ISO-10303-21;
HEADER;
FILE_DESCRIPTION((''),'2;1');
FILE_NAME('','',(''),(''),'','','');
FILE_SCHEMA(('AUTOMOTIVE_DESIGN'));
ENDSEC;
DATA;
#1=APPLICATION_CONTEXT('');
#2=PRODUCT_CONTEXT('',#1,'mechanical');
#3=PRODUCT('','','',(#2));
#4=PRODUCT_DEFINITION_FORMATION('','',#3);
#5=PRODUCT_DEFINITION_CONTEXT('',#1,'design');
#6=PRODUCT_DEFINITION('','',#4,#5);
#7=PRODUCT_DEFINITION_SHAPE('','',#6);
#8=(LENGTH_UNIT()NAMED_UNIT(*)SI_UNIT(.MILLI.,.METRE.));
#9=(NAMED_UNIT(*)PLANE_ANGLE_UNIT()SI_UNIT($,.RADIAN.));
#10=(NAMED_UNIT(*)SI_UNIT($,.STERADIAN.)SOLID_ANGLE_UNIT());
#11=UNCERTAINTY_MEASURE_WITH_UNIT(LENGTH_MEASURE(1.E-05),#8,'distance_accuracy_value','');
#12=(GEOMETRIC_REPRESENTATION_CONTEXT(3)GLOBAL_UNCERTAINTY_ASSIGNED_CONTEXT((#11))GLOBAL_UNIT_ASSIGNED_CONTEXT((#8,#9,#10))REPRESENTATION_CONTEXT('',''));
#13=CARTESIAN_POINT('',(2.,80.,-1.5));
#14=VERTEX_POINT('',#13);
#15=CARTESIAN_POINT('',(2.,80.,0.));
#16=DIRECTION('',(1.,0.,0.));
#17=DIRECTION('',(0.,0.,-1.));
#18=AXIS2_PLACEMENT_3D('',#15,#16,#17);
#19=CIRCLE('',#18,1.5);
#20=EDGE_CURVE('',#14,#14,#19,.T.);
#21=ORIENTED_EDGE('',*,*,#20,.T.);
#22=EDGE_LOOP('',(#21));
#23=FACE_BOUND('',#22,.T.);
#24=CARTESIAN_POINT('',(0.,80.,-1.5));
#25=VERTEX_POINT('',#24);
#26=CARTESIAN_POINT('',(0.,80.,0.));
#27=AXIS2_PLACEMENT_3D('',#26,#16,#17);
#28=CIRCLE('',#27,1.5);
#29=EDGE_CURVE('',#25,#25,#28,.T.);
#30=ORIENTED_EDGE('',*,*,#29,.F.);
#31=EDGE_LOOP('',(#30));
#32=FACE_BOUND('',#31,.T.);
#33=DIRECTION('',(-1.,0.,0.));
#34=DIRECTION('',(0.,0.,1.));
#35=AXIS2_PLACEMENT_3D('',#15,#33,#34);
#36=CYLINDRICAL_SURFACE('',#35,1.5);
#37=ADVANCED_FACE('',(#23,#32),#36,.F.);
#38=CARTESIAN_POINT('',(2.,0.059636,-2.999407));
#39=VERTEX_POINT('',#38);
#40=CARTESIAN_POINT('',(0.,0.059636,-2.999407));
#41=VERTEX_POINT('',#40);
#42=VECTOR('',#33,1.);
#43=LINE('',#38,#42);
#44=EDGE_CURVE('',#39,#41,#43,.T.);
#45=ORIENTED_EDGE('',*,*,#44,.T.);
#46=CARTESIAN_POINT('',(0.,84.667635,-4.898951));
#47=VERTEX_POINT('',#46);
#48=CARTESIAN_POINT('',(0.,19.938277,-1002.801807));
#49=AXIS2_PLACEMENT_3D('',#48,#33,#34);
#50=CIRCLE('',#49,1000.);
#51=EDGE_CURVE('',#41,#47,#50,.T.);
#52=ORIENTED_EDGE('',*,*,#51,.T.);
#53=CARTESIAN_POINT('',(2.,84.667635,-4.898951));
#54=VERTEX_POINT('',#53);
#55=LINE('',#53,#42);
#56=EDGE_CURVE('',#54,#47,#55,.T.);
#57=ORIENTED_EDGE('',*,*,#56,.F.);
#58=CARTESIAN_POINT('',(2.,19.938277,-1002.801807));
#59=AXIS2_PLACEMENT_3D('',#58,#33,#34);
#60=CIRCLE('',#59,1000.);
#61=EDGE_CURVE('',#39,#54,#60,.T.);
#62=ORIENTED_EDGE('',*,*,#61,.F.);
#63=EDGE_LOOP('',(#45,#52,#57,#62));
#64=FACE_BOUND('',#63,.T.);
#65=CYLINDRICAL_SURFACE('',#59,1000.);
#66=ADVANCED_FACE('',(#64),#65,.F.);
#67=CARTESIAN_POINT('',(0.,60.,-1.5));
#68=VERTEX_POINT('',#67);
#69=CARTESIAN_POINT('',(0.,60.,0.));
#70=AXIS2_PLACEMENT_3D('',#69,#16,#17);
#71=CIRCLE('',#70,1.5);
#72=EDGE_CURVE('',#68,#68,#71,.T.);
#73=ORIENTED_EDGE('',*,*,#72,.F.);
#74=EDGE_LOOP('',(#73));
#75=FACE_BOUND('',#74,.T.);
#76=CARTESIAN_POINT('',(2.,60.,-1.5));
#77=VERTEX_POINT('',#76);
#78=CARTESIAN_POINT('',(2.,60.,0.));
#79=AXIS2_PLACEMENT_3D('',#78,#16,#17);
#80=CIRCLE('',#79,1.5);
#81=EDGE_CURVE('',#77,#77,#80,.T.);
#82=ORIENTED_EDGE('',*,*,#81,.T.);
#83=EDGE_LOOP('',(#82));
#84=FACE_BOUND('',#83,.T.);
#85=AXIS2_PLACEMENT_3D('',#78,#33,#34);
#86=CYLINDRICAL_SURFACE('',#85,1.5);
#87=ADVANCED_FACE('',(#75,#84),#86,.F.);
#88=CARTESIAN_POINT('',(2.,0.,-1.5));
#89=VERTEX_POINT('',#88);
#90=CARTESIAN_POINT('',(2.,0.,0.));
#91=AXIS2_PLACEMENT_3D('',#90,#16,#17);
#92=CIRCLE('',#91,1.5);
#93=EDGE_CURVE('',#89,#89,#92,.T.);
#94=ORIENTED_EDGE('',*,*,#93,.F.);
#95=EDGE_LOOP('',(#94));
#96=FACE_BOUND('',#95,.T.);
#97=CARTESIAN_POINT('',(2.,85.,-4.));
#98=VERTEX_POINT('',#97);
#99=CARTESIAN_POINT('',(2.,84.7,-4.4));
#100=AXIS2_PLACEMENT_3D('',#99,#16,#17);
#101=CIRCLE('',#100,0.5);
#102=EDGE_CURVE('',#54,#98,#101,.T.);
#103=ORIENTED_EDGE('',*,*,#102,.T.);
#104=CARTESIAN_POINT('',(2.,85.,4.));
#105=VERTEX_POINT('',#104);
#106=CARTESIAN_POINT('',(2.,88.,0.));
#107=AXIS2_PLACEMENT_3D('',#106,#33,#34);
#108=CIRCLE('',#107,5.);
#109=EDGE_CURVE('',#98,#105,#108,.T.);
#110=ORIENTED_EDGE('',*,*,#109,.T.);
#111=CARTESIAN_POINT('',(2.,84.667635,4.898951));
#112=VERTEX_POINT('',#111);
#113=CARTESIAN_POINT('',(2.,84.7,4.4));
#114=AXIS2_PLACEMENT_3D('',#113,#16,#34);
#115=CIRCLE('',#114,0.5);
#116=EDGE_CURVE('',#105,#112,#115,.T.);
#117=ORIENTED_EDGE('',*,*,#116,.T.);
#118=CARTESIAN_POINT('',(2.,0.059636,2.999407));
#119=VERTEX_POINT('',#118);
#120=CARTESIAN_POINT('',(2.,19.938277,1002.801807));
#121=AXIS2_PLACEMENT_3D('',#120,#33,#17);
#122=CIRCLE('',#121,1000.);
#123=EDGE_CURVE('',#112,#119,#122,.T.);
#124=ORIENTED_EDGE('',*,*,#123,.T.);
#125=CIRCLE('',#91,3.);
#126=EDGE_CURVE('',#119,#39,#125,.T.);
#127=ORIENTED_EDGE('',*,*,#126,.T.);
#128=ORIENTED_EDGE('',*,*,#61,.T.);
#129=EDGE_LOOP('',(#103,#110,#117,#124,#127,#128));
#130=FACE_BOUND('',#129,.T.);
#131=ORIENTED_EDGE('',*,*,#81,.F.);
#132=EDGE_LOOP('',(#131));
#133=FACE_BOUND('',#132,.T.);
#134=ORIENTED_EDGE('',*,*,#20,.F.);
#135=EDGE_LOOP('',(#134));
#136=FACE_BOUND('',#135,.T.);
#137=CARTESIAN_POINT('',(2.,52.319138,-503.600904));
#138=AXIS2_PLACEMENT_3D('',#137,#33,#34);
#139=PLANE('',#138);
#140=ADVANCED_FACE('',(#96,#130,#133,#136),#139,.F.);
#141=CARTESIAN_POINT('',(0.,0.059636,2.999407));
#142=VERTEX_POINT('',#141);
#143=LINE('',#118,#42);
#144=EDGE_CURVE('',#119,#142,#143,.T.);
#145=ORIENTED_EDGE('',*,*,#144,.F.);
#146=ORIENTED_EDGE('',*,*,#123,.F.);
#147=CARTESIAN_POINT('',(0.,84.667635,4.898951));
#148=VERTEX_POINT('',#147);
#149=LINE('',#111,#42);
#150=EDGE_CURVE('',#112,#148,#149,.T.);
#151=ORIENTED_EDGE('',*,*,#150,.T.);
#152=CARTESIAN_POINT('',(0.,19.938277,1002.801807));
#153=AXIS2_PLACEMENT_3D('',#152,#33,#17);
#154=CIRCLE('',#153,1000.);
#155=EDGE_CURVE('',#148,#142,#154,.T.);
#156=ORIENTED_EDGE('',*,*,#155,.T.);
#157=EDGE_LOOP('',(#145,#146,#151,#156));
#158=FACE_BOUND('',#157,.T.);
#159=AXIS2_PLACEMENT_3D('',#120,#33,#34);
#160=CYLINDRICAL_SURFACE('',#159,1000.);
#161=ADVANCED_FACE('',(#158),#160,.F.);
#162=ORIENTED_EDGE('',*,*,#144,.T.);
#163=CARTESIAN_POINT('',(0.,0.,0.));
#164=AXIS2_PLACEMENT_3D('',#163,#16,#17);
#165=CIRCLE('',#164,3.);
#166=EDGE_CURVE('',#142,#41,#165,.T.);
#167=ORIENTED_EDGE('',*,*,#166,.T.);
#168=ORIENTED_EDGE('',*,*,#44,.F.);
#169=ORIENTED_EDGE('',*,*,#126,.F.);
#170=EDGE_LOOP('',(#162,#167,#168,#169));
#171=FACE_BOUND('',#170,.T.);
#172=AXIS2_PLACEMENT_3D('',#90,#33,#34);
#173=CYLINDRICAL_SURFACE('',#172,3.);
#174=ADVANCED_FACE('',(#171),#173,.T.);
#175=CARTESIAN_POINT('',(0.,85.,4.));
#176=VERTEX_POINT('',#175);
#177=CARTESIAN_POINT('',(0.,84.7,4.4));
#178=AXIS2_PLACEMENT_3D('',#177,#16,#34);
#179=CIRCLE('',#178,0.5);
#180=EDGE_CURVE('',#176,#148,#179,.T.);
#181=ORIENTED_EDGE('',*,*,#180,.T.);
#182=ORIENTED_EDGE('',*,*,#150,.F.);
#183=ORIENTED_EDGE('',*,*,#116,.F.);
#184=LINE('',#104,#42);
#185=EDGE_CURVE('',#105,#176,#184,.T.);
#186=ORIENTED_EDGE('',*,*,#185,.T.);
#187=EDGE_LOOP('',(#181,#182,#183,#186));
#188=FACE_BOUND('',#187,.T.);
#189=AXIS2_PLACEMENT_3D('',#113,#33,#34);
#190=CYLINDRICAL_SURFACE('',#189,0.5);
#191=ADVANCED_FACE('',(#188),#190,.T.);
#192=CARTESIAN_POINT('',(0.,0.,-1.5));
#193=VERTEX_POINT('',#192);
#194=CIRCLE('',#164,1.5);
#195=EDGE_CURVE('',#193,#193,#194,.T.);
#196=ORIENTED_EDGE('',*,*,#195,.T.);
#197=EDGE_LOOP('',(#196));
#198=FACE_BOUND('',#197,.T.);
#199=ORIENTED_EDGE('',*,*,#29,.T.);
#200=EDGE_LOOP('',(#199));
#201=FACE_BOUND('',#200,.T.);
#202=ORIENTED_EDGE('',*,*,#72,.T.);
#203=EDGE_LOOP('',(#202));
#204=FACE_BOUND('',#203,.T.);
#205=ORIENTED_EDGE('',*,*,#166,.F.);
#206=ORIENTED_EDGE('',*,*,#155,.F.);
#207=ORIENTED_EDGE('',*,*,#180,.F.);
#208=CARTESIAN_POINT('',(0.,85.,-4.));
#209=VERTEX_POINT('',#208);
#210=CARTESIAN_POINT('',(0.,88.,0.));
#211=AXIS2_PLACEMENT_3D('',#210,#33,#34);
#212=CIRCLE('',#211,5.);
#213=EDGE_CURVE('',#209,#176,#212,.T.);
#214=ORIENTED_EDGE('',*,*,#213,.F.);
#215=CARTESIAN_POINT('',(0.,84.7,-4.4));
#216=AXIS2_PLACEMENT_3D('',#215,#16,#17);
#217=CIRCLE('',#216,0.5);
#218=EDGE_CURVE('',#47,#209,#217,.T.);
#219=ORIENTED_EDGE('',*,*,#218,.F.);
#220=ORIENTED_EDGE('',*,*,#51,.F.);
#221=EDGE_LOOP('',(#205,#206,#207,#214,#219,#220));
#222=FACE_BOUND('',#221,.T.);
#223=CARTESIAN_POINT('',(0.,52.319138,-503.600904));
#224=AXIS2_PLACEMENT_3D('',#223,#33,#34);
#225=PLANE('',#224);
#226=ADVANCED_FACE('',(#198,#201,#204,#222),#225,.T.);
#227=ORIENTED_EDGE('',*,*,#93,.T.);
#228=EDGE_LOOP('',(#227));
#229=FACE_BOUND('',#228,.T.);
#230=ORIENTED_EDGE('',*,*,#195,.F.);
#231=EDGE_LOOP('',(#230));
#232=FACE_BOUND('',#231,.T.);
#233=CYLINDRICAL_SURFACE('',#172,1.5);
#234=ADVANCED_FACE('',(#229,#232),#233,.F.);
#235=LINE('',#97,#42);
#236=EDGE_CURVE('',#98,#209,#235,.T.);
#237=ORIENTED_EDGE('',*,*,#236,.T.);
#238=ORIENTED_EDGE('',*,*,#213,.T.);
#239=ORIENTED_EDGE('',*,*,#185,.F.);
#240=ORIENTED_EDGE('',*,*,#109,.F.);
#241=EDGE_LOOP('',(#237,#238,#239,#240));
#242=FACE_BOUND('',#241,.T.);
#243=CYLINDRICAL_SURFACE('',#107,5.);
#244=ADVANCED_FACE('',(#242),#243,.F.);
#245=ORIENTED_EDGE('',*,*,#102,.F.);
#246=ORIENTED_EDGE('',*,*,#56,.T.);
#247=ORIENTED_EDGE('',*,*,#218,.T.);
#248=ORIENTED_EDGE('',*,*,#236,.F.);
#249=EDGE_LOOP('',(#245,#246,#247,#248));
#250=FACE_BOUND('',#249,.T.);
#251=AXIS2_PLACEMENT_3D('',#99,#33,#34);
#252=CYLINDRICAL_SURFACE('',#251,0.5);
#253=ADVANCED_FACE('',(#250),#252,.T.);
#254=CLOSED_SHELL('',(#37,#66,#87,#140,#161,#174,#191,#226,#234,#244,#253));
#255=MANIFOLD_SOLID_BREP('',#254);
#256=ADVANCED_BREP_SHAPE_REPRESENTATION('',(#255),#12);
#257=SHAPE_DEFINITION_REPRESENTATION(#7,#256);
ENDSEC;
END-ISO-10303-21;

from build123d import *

# Parameters (mm, degrees)
SKETCH_1_R      = 1.5
EXTRUDE_1_DEPTH = 2


with BuildPart() as part:
    # 草图1 → 凸台-拉伸1 (new body)
    with BuildSketch(Plane(origin=(0, 0, 0), x_dir=(0, 0, -1), z_dir=(1, 0, 0))):
        with BuildLine():
            ThreePointArc((-2.999407201, 0.059635923), (0, -3), (2.999407201, 0.059635923))
            ThreePointArc((2.999407201, 0.059635923), (3.053738623, 42.383739267), (4.898951428, 84.667635321))
            ThreePointArc((4.898951428, 84.667635321), (4.573390935, 85.168972903), (4, 85))
            ThreePointArc((4, 85), (0, 83), (-4, 85))
            ThreePointArc((-4, 85), (-4.573390935, 85.168972903), (-4.898951428, 84.667635321))
            ThreePointArc((-4.898951428, 84.667635321), (-3.053738623, 42.383739267), (-2.999407201, 0.059635923))
        make_face()
        Circle(SKETCH_1_R, mode=Mode.SUBTRACT)
        with Locations((0, 80)):
            Circle(SKETCH_1_R, mode=Mode.SUBTRACT)
        with Locations((0, 60)):
            Circle(SKETCH_1_R, mode=Mode.SUBTRACT)
    extrude(amount=EXTRUDE_1_DEPTH)


solid = part.part
